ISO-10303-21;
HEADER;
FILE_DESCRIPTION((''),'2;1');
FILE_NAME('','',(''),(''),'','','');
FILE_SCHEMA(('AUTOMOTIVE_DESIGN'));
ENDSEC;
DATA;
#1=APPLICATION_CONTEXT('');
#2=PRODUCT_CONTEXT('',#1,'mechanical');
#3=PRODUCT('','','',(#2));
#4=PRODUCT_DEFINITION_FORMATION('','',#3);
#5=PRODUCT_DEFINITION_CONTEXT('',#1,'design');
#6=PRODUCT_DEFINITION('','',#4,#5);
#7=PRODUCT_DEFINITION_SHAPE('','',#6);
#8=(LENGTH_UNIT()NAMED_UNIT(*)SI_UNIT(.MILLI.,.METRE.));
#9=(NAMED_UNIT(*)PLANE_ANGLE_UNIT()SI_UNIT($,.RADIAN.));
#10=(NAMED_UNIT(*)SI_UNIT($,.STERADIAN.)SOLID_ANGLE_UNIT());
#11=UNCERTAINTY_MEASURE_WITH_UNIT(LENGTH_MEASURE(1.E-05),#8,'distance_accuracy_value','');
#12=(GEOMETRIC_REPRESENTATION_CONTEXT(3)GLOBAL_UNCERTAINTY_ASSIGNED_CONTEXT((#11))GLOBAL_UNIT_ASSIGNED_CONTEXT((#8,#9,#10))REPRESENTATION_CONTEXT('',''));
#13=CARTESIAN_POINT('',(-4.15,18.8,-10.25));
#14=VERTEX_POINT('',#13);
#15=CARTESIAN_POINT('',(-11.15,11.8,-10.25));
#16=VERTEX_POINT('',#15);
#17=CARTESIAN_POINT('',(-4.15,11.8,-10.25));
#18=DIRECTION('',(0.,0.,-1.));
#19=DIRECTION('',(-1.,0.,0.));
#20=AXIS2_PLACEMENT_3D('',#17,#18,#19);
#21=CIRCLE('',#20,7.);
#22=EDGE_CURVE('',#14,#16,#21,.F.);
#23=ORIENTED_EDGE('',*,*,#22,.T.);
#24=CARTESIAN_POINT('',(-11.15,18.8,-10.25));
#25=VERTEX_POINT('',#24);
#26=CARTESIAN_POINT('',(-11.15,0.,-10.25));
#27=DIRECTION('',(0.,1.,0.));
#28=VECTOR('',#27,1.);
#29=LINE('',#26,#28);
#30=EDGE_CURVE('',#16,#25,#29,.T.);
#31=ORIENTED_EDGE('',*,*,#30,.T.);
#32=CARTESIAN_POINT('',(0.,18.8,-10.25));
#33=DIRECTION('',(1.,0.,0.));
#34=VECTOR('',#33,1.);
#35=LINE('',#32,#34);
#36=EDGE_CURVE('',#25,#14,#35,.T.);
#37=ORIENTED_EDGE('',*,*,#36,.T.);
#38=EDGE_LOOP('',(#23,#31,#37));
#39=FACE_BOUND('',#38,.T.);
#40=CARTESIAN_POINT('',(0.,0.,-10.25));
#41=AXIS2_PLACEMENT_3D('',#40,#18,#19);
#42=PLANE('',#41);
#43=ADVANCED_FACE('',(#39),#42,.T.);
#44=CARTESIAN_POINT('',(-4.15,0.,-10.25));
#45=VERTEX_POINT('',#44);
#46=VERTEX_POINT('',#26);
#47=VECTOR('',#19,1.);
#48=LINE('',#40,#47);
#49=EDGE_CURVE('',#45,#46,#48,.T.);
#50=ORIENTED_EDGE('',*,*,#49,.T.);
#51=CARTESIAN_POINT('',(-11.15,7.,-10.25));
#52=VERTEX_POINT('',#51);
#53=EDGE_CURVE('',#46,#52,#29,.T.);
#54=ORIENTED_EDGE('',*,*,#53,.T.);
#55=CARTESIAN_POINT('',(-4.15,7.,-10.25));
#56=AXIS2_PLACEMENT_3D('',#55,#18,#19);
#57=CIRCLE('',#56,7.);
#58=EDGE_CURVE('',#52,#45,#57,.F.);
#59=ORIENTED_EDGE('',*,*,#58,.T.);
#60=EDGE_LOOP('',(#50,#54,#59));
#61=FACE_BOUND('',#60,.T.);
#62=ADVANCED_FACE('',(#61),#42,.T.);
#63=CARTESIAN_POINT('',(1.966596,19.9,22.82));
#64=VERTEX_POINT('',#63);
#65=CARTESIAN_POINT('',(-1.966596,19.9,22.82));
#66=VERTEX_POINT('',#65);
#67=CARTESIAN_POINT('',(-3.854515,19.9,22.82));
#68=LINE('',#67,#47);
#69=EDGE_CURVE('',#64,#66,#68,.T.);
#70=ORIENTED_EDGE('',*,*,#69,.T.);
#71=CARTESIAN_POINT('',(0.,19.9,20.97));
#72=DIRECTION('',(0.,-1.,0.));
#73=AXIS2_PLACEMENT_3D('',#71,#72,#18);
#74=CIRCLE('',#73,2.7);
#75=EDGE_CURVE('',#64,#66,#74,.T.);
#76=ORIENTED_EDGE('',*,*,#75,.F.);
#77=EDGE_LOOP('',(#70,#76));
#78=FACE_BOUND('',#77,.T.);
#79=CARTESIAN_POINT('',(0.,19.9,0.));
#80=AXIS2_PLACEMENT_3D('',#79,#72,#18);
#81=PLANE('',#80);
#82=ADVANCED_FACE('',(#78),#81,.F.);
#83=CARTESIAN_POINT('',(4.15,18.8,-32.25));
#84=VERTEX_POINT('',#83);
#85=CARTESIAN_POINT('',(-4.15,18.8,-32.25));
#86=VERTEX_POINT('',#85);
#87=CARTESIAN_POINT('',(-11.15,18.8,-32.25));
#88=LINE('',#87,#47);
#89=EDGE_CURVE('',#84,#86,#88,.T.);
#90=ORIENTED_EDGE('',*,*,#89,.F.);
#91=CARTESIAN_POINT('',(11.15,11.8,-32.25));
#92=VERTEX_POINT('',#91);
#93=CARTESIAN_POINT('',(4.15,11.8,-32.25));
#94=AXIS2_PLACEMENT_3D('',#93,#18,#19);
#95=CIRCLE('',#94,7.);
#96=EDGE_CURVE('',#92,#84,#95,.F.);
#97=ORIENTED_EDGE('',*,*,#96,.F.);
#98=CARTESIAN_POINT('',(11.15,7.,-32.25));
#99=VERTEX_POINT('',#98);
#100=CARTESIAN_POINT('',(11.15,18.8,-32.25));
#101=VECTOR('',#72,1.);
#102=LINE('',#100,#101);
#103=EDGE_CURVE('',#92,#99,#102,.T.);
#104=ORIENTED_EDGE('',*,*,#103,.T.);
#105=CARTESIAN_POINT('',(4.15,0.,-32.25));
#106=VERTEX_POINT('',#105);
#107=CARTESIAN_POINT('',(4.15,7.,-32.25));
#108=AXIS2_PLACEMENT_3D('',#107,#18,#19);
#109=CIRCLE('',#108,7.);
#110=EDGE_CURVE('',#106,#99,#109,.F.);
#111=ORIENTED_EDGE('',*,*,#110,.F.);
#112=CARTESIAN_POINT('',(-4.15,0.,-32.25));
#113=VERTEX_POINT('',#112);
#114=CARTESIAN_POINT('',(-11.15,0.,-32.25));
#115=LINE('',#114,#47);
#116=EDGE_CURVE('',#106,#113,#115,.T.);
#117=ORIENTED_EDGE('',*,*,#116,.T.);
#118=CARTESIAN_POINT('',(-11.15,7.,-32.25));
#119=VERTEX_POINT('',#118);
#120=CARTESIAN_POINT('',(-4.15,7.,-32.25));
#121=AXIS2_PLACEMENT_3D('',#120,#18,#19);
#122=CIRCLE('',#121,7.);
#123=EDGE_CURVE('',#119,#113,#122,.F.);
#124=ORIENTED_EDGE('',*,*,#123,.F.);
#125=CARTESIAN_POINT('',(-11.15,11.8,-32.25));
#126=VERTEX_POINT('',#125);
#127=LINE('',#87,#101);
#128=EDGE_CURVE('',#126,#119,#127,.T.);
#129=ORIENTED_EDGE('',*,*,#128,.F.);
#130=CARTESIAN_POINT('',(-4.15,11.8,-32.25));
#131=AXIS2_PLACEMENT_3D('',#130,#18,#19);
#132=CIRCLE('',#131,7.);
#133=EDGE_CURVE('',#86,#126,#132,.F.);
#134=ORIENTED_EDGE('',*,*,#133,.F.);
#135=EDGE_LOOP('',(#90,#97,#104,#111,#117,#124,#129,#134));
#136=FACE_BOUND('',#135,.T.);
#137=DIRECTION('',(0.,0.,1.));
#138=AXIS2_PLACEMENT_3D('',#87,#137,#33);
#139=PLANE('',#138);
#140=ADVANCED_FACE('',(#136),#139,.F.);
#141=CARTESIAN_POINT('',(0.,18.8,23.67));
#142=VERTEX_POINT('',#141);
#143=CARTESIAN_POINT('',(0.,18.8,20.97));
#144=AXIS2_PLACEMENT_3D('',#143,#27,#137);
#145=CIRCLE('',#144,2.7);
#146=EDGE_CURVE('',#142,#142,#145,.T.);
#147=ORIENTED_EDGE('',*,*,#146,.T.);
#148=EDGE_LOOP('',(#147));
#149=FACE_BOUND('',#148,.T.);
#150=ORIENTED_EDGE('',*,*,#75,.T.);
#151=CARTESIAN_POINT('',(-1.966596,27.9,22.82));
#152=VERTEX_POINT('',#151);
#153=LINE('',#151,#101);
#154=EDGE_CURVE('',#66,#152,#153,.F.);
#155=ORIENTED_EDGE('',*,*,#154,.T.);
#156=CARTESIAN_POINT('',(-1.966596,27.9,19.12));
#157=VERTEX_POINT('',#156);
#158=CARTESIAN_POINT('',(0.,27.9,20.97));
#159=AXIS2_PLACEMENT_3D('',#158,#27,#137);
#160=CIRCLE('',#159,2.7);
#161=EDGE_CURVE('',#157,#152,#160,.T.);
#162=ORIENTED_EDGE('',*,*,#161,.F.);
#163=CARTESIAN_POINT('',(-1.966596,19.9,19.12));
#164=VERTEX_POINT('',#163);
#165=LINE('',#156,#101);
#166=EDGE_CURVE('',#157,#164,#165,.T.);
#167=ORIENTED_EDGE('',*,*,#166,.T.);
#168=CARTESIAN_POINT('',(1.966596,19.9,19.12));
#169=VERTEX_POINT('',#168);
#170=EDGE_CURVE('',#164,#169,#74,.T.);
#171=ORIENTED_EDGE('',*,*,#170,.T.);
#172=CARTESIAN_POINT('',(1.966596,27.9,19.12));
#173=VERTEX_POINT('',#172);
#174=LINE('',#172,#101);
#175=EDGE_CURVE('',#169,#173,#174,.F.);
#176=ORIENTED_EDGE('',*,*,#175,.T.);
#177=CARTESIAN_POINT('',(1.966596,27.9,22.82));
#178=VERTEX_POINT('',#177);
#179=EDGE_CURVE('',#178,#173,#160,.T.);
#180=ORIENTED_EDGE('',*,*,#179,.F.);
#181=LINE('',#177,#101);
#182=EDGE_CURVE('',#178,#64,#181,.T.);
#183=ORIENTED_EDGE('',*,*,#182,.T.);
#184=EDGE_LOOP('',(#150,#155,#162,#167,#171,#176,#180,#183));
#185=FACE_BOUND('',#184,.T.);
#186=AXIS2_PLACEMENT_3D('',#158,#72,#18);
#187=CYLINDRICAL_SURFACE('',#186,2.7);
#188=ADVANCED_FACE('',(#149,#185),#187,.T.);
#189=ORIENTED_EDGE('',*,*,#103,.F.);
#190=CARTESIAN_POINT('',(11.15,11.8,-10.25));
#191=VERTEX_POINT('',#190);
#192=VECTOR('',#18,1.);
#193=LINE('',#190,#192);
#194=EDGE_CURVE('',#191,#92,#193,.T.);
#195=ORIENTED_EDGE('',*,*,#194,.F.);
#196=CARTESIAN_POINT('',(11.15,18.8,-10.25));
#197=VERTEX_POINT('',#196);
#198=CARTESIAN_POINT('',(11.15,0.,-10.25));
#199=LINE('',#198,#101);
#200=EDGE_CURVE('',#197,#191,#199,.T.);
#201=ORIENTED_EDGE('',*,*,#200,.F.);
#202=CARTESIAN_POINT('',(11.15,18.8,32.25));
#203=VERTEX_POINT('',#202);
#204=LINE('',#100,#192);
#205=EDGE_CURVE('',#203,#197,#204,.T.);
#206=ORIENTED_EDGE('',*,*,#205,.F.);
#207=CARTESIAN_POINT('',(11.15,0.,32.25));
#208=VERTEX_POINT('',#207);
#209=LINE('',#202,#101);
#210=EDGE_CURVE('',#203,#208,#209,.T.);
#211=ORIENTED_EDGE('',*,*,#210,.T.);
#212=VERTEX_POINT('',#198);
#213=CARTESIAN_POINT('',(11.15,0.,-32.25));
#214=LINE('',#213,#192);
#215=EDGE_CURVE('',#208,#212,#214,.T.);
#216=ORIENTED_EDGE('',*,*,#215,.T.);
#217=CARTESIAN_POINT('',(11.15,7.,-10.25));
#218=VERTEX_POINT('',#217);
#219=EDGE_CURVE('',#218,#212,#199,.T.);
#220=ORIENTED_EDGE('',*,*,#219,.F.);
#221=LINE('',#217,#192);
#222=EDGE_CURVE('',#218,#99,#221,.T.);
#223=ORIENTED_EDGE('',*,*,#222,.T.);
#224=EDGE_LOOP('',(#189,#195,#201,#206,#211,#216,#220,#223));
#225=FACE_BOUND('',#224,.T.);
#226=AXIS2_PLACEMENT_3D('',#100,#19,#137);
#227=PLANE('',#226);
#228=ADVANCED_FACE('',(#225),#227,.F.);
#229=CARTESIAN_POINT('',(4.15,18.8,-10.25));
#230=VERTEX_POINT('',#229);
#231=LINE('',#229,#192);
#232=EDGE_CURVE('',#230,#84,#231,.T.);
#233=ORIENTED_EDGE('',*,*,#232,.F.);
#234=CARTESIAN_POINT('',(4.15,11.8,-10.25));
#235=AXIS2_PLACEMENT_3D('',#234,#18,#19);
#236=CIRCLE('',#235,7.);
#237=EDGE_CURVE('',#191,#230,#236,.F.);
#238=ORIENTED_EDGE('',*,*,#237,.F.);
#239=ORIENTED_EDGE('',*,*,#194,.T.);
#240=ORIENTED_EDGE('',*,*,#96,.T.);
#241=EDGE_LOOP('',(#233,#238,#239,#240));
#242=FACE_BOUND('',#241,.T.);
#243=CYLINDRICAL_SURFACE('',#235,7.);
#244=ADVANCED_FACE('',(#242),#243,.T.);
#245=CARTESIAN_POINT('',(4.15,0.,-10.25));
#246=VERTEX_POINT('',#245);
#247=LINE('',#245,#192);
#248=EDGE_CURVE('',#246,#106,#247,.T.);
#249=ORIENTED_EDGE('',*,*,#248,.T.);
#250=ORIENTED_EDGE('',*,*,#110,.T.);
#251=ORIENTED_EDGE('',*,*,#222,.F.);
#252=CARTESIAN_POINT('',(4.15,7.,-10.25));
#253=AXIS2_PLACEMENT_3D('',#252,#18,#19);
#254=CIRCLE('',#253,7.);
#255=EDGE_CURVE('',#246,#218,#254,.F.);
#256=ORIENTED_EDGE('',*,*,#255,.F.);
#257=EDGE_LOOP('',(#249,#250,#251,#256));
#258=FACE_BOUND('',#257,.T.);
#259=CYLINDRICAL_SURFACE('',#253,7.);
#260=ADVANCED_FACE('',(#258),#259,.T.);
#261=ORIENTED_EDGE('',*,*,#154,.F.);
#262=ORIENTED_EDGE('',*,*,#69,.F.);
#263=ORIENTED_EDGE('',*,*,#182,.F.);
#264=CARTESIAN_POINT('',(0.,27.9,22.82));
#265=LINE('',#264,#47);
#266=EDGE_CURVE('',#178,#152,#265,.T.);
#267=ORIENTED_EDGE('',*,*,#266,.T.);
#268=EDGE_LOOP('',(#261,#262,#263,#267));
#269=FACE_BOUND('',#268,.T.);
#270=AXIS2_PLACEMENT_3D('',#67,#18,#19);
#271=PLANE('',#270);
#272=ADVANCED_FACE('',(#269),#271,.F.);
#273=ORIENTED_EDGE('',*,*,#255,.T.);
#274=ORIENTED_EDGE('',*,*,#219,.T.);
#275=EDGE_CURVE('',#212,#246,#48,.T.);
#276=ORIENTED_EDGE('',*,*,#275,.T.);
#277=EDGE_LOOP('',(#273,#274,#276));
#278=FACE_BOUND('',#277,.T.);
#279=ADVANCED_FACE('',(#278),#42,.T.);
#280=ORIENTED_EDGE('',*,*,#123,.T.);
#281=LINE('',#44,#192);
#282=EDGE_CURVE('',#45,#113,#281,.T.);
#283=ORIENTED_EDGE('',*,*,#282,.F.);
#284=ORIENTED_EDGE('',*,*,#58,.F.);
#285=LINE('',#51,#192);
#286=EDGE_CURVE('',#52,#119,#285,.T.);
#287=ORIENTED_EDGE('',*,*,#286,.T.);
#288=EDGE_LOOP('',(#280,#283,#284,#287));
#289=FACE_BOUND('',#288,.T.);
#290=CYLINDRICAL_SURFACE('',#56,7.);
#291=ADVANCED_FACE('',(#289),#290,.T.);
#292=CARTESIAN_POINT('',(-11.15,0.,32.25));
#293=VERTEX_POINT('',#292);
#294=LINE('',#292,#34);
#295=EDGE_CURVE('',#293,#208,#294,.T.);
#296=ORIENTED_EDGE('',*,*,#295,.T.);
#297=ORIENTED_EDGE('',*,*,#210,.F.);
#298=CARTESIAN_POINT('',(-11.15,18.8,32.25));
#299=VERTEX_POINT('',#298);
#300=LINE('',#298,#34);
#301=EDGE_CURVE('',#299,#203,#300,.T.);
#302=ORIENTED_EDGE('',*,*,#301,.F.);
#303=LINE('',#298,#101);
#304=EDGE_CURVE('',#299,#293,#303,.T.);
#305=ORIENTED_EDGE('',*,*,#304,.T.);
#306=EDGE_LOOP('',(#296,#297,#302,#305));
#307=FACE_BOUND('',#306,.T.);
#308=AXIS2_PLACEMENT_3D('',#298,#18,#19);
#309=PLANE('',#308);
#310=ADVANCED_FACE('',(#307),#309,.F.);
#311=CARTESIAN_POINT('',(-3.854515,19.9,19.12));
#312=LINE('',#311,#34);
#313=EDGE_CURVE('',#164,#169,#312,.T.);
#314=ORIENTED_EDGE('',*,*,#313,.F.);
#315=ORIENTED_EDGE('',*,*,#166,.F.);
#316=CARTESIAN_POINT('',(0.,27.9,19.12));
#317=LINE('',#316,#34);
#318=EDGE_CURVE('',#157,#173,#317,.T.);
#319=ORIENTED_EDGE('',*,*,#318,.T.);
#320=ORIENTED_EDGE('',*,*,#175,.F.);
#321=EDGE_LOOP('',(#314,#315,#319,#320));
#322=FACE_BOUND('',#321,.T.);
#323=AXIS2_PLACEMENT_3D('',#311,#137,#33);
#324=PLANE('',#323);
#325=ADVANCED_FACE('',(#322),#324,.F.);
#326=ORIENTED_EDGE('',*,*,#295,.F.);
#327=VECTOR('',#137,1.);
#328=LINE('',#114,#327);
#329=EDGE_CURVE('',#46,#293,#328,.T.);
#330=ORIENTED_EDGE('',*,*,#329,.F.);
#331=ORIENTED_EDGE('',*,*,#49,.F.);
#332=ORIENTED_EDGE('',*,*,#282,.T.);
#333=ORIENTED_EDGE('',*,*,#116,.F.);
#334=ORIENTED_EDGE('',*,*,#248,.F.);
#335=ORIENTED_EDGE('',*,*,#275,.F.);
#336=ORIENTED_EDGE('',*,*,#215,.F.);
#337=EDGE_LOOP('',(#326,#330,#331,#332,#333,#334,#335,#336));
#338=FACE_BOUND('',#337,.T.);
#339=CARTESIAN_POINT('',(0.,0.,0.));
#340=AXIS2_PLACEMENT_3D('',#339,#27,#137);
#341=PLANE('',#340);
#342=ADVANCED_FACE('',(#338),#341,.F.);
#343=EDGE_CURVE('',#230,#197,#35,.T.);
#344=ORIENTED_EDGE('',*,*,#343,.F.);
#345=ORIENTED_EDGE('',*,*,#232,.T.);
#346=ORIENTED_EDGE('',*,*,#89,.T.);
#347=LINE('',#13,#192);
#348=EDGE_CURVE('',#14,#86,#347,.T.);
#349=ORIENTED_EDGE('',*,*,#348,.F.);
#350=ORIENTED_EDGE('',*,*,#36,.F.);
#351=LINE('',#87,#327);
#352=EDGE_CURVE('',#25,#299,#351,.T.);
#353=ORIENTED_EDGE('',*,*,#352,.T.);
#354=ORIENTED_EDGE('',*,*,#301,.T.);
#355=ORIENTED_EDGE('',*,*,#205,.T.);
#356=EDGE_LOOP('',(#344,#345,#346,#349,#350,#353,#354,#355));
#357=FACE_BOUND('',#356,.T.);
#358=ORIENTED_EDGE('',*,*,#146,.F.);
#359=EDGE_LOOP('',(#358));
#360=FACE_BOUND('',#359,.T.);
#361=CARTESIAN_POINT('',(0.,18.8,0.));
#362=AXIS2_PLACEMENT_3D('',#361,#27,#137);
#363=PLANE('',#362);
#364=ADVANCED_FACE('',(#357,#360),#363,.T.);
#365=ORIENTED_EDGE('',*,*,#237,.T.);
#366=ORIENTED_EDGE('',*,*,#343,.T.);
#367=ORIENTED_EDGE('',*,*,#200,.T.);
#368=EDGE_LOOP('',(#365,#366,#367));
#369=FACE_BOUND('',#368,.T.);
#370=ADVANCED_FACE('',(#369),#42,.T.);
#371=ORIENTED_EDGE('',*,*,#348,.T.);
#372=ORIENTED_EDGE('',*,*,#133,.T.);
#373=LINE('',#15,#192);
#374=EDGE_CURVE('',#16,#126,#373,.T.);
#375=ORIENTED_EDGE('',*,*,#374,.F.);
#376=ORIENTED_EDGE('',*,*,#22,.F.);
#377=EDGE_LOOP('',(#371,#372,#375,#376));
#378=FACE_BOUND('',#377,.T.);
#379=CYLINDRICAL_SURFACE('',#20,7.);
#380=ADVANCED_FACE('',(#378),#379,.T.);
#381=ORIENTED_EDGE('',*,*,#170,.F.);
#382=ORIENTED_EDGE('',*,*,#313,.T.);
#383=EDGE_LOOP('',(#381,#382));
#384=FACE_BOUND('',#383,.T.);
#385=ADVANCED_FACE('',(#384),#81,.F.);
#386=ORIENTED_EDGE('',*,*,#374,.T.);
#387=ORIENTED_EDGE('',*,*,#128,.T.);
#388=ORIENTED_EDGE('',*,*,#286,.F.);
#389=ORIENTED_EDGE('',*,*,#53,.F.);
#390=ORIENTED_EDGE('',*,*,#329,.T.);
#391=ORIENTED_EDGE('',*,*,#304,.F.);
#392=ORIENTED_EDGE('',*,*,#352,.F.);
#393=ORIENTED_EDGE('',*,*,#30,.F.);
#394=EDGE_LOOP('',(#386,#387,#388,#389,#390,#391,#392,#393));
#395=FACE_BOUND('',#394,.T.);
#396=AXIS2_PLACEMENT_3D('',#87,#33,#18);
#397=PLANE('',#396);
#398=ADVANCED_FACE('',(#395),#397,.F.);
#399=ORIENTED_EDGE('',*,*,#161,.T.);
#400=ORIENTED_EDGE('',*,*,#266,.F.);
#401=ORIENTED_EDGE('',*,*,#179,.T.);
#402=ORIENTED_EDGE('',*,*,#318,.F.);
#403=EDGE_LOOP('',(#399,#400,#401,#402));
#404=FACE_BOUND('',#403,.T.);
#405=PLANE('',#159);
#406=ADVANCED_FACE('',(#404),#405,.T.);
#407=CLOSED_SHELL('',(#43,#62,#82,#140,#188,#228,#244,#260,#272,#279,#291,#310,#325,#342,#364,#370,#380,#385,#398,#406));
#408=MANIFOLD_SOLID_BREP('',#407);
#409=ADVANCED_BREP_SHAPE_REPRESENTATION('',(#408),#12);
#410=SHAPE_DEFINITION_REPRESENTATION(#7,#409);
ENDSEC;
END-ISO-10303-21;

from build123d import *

# Parameters (mm, degrees)
SKETCH_1_W          = 22.3
SKETCH_1_H          = 64.5
EXTRUDE_1_DEPTH     = 18.8
SKETCH_2_R          = 2.7
EXTRUDE_2_DEPTH     = 9.1
SKETCH_3_W          = 7.709030296
SKETCH_3_H          = 1.42648476
SKETCH_3_H_2        = 1.599270141
CUT_EXTRUDE_1_DEPTH = 8
CUT_EXTRUDE_2_DEPTH = 22


with BuildPart() as part:
    # 草图1 → 凸台-拉伸1 (new body)
    with BuildSketch(Plane(origin=(0, 0, 0), x_dir=(1, 0, 0), z_dir=(0, 1, 0))):
        Rectangle(SKETCH_1_W, SKETCH_1_H)
    extrude(amount=EXTRUDE_1_DEPTH)

    # 草图2 → 凸台-拉伸2 (add)
    with BuildSketch(Plane(origin=(0, 18.8, 0), x_dir=(1, 0, 0), z_dir=(0, 1, 0))):
        with Locations(Location((0, -20.97, 0), (0, 0, 270))):
            Circle(SKETCH_2_R)
    extrude(amount=EXTRUDE_2_DEPTH)

    # 草图3 → 切除-拉伸1 (cut)
    with BuildSketch(Plane(origin=(0, 27.9, 0), x_dir=(1, 0, 0), z_dir=(0, 1, 0))):
        with Locations((0, -18.40675762)):
            Rectangle(SKETCH_3_W, SKETCH_3_H)
        with Locations((0, -23.619635071)):
            Rectangle(SKETCH_3_W, SKETCH_3_H_2)
    extrude(amount=-CUT_EXTRUDE_1_DEPTH, mode=Mode.SUBTRACT)

    # 草图4 → 切除-拉伸2 (cut)
    with BuildSketch(Plane(origin=(0, 0, -32.25), x_dir=(-1, 0, 0), z_dir=(0, 0, -1))):
        with BuildLine():
            ThreePointArc((11.15, 7), (9.099747468, 2.050252532), (4.15, 0))
            Line((4.15, 0), (11.15, 0))
            Line((11.15, 0), (11.15, 7))
        make_face()
        with BuildLine():
            ThreePointArc((4.15, 18.8), (9.099747468, 16.749747468), (11.15, 11.8))
            Line((11.15, 11.8), (11.15, 18.8))
            Line((11.15, 18.8), (4.15, 18.8))
        make_face()
        with BuildLine():
            Line((-11.15, 0), (-4.15, 0))
            ThreePointArc((-4.15, 0), (-9.099747468, 2.050252532), (-11.15, 7))
            Line((-11.15, 7), (-11.15, 0))
        make_face()
        with BuildLine():
            Line((-11.15, 18.8), (-11.15, 11.8))
            ThreePointArc((-11.15, 11.8), (-9.099747468, 16.749747468), (-4.15, 18.8))
            Line((-4.15, 18.8), (-11.15, 18.8))
        make_face()
    extrude(amount=-CUT_EXTRUDE_2_DEPTH, mode=Mode.SUBTRACT)


solid = part.part
